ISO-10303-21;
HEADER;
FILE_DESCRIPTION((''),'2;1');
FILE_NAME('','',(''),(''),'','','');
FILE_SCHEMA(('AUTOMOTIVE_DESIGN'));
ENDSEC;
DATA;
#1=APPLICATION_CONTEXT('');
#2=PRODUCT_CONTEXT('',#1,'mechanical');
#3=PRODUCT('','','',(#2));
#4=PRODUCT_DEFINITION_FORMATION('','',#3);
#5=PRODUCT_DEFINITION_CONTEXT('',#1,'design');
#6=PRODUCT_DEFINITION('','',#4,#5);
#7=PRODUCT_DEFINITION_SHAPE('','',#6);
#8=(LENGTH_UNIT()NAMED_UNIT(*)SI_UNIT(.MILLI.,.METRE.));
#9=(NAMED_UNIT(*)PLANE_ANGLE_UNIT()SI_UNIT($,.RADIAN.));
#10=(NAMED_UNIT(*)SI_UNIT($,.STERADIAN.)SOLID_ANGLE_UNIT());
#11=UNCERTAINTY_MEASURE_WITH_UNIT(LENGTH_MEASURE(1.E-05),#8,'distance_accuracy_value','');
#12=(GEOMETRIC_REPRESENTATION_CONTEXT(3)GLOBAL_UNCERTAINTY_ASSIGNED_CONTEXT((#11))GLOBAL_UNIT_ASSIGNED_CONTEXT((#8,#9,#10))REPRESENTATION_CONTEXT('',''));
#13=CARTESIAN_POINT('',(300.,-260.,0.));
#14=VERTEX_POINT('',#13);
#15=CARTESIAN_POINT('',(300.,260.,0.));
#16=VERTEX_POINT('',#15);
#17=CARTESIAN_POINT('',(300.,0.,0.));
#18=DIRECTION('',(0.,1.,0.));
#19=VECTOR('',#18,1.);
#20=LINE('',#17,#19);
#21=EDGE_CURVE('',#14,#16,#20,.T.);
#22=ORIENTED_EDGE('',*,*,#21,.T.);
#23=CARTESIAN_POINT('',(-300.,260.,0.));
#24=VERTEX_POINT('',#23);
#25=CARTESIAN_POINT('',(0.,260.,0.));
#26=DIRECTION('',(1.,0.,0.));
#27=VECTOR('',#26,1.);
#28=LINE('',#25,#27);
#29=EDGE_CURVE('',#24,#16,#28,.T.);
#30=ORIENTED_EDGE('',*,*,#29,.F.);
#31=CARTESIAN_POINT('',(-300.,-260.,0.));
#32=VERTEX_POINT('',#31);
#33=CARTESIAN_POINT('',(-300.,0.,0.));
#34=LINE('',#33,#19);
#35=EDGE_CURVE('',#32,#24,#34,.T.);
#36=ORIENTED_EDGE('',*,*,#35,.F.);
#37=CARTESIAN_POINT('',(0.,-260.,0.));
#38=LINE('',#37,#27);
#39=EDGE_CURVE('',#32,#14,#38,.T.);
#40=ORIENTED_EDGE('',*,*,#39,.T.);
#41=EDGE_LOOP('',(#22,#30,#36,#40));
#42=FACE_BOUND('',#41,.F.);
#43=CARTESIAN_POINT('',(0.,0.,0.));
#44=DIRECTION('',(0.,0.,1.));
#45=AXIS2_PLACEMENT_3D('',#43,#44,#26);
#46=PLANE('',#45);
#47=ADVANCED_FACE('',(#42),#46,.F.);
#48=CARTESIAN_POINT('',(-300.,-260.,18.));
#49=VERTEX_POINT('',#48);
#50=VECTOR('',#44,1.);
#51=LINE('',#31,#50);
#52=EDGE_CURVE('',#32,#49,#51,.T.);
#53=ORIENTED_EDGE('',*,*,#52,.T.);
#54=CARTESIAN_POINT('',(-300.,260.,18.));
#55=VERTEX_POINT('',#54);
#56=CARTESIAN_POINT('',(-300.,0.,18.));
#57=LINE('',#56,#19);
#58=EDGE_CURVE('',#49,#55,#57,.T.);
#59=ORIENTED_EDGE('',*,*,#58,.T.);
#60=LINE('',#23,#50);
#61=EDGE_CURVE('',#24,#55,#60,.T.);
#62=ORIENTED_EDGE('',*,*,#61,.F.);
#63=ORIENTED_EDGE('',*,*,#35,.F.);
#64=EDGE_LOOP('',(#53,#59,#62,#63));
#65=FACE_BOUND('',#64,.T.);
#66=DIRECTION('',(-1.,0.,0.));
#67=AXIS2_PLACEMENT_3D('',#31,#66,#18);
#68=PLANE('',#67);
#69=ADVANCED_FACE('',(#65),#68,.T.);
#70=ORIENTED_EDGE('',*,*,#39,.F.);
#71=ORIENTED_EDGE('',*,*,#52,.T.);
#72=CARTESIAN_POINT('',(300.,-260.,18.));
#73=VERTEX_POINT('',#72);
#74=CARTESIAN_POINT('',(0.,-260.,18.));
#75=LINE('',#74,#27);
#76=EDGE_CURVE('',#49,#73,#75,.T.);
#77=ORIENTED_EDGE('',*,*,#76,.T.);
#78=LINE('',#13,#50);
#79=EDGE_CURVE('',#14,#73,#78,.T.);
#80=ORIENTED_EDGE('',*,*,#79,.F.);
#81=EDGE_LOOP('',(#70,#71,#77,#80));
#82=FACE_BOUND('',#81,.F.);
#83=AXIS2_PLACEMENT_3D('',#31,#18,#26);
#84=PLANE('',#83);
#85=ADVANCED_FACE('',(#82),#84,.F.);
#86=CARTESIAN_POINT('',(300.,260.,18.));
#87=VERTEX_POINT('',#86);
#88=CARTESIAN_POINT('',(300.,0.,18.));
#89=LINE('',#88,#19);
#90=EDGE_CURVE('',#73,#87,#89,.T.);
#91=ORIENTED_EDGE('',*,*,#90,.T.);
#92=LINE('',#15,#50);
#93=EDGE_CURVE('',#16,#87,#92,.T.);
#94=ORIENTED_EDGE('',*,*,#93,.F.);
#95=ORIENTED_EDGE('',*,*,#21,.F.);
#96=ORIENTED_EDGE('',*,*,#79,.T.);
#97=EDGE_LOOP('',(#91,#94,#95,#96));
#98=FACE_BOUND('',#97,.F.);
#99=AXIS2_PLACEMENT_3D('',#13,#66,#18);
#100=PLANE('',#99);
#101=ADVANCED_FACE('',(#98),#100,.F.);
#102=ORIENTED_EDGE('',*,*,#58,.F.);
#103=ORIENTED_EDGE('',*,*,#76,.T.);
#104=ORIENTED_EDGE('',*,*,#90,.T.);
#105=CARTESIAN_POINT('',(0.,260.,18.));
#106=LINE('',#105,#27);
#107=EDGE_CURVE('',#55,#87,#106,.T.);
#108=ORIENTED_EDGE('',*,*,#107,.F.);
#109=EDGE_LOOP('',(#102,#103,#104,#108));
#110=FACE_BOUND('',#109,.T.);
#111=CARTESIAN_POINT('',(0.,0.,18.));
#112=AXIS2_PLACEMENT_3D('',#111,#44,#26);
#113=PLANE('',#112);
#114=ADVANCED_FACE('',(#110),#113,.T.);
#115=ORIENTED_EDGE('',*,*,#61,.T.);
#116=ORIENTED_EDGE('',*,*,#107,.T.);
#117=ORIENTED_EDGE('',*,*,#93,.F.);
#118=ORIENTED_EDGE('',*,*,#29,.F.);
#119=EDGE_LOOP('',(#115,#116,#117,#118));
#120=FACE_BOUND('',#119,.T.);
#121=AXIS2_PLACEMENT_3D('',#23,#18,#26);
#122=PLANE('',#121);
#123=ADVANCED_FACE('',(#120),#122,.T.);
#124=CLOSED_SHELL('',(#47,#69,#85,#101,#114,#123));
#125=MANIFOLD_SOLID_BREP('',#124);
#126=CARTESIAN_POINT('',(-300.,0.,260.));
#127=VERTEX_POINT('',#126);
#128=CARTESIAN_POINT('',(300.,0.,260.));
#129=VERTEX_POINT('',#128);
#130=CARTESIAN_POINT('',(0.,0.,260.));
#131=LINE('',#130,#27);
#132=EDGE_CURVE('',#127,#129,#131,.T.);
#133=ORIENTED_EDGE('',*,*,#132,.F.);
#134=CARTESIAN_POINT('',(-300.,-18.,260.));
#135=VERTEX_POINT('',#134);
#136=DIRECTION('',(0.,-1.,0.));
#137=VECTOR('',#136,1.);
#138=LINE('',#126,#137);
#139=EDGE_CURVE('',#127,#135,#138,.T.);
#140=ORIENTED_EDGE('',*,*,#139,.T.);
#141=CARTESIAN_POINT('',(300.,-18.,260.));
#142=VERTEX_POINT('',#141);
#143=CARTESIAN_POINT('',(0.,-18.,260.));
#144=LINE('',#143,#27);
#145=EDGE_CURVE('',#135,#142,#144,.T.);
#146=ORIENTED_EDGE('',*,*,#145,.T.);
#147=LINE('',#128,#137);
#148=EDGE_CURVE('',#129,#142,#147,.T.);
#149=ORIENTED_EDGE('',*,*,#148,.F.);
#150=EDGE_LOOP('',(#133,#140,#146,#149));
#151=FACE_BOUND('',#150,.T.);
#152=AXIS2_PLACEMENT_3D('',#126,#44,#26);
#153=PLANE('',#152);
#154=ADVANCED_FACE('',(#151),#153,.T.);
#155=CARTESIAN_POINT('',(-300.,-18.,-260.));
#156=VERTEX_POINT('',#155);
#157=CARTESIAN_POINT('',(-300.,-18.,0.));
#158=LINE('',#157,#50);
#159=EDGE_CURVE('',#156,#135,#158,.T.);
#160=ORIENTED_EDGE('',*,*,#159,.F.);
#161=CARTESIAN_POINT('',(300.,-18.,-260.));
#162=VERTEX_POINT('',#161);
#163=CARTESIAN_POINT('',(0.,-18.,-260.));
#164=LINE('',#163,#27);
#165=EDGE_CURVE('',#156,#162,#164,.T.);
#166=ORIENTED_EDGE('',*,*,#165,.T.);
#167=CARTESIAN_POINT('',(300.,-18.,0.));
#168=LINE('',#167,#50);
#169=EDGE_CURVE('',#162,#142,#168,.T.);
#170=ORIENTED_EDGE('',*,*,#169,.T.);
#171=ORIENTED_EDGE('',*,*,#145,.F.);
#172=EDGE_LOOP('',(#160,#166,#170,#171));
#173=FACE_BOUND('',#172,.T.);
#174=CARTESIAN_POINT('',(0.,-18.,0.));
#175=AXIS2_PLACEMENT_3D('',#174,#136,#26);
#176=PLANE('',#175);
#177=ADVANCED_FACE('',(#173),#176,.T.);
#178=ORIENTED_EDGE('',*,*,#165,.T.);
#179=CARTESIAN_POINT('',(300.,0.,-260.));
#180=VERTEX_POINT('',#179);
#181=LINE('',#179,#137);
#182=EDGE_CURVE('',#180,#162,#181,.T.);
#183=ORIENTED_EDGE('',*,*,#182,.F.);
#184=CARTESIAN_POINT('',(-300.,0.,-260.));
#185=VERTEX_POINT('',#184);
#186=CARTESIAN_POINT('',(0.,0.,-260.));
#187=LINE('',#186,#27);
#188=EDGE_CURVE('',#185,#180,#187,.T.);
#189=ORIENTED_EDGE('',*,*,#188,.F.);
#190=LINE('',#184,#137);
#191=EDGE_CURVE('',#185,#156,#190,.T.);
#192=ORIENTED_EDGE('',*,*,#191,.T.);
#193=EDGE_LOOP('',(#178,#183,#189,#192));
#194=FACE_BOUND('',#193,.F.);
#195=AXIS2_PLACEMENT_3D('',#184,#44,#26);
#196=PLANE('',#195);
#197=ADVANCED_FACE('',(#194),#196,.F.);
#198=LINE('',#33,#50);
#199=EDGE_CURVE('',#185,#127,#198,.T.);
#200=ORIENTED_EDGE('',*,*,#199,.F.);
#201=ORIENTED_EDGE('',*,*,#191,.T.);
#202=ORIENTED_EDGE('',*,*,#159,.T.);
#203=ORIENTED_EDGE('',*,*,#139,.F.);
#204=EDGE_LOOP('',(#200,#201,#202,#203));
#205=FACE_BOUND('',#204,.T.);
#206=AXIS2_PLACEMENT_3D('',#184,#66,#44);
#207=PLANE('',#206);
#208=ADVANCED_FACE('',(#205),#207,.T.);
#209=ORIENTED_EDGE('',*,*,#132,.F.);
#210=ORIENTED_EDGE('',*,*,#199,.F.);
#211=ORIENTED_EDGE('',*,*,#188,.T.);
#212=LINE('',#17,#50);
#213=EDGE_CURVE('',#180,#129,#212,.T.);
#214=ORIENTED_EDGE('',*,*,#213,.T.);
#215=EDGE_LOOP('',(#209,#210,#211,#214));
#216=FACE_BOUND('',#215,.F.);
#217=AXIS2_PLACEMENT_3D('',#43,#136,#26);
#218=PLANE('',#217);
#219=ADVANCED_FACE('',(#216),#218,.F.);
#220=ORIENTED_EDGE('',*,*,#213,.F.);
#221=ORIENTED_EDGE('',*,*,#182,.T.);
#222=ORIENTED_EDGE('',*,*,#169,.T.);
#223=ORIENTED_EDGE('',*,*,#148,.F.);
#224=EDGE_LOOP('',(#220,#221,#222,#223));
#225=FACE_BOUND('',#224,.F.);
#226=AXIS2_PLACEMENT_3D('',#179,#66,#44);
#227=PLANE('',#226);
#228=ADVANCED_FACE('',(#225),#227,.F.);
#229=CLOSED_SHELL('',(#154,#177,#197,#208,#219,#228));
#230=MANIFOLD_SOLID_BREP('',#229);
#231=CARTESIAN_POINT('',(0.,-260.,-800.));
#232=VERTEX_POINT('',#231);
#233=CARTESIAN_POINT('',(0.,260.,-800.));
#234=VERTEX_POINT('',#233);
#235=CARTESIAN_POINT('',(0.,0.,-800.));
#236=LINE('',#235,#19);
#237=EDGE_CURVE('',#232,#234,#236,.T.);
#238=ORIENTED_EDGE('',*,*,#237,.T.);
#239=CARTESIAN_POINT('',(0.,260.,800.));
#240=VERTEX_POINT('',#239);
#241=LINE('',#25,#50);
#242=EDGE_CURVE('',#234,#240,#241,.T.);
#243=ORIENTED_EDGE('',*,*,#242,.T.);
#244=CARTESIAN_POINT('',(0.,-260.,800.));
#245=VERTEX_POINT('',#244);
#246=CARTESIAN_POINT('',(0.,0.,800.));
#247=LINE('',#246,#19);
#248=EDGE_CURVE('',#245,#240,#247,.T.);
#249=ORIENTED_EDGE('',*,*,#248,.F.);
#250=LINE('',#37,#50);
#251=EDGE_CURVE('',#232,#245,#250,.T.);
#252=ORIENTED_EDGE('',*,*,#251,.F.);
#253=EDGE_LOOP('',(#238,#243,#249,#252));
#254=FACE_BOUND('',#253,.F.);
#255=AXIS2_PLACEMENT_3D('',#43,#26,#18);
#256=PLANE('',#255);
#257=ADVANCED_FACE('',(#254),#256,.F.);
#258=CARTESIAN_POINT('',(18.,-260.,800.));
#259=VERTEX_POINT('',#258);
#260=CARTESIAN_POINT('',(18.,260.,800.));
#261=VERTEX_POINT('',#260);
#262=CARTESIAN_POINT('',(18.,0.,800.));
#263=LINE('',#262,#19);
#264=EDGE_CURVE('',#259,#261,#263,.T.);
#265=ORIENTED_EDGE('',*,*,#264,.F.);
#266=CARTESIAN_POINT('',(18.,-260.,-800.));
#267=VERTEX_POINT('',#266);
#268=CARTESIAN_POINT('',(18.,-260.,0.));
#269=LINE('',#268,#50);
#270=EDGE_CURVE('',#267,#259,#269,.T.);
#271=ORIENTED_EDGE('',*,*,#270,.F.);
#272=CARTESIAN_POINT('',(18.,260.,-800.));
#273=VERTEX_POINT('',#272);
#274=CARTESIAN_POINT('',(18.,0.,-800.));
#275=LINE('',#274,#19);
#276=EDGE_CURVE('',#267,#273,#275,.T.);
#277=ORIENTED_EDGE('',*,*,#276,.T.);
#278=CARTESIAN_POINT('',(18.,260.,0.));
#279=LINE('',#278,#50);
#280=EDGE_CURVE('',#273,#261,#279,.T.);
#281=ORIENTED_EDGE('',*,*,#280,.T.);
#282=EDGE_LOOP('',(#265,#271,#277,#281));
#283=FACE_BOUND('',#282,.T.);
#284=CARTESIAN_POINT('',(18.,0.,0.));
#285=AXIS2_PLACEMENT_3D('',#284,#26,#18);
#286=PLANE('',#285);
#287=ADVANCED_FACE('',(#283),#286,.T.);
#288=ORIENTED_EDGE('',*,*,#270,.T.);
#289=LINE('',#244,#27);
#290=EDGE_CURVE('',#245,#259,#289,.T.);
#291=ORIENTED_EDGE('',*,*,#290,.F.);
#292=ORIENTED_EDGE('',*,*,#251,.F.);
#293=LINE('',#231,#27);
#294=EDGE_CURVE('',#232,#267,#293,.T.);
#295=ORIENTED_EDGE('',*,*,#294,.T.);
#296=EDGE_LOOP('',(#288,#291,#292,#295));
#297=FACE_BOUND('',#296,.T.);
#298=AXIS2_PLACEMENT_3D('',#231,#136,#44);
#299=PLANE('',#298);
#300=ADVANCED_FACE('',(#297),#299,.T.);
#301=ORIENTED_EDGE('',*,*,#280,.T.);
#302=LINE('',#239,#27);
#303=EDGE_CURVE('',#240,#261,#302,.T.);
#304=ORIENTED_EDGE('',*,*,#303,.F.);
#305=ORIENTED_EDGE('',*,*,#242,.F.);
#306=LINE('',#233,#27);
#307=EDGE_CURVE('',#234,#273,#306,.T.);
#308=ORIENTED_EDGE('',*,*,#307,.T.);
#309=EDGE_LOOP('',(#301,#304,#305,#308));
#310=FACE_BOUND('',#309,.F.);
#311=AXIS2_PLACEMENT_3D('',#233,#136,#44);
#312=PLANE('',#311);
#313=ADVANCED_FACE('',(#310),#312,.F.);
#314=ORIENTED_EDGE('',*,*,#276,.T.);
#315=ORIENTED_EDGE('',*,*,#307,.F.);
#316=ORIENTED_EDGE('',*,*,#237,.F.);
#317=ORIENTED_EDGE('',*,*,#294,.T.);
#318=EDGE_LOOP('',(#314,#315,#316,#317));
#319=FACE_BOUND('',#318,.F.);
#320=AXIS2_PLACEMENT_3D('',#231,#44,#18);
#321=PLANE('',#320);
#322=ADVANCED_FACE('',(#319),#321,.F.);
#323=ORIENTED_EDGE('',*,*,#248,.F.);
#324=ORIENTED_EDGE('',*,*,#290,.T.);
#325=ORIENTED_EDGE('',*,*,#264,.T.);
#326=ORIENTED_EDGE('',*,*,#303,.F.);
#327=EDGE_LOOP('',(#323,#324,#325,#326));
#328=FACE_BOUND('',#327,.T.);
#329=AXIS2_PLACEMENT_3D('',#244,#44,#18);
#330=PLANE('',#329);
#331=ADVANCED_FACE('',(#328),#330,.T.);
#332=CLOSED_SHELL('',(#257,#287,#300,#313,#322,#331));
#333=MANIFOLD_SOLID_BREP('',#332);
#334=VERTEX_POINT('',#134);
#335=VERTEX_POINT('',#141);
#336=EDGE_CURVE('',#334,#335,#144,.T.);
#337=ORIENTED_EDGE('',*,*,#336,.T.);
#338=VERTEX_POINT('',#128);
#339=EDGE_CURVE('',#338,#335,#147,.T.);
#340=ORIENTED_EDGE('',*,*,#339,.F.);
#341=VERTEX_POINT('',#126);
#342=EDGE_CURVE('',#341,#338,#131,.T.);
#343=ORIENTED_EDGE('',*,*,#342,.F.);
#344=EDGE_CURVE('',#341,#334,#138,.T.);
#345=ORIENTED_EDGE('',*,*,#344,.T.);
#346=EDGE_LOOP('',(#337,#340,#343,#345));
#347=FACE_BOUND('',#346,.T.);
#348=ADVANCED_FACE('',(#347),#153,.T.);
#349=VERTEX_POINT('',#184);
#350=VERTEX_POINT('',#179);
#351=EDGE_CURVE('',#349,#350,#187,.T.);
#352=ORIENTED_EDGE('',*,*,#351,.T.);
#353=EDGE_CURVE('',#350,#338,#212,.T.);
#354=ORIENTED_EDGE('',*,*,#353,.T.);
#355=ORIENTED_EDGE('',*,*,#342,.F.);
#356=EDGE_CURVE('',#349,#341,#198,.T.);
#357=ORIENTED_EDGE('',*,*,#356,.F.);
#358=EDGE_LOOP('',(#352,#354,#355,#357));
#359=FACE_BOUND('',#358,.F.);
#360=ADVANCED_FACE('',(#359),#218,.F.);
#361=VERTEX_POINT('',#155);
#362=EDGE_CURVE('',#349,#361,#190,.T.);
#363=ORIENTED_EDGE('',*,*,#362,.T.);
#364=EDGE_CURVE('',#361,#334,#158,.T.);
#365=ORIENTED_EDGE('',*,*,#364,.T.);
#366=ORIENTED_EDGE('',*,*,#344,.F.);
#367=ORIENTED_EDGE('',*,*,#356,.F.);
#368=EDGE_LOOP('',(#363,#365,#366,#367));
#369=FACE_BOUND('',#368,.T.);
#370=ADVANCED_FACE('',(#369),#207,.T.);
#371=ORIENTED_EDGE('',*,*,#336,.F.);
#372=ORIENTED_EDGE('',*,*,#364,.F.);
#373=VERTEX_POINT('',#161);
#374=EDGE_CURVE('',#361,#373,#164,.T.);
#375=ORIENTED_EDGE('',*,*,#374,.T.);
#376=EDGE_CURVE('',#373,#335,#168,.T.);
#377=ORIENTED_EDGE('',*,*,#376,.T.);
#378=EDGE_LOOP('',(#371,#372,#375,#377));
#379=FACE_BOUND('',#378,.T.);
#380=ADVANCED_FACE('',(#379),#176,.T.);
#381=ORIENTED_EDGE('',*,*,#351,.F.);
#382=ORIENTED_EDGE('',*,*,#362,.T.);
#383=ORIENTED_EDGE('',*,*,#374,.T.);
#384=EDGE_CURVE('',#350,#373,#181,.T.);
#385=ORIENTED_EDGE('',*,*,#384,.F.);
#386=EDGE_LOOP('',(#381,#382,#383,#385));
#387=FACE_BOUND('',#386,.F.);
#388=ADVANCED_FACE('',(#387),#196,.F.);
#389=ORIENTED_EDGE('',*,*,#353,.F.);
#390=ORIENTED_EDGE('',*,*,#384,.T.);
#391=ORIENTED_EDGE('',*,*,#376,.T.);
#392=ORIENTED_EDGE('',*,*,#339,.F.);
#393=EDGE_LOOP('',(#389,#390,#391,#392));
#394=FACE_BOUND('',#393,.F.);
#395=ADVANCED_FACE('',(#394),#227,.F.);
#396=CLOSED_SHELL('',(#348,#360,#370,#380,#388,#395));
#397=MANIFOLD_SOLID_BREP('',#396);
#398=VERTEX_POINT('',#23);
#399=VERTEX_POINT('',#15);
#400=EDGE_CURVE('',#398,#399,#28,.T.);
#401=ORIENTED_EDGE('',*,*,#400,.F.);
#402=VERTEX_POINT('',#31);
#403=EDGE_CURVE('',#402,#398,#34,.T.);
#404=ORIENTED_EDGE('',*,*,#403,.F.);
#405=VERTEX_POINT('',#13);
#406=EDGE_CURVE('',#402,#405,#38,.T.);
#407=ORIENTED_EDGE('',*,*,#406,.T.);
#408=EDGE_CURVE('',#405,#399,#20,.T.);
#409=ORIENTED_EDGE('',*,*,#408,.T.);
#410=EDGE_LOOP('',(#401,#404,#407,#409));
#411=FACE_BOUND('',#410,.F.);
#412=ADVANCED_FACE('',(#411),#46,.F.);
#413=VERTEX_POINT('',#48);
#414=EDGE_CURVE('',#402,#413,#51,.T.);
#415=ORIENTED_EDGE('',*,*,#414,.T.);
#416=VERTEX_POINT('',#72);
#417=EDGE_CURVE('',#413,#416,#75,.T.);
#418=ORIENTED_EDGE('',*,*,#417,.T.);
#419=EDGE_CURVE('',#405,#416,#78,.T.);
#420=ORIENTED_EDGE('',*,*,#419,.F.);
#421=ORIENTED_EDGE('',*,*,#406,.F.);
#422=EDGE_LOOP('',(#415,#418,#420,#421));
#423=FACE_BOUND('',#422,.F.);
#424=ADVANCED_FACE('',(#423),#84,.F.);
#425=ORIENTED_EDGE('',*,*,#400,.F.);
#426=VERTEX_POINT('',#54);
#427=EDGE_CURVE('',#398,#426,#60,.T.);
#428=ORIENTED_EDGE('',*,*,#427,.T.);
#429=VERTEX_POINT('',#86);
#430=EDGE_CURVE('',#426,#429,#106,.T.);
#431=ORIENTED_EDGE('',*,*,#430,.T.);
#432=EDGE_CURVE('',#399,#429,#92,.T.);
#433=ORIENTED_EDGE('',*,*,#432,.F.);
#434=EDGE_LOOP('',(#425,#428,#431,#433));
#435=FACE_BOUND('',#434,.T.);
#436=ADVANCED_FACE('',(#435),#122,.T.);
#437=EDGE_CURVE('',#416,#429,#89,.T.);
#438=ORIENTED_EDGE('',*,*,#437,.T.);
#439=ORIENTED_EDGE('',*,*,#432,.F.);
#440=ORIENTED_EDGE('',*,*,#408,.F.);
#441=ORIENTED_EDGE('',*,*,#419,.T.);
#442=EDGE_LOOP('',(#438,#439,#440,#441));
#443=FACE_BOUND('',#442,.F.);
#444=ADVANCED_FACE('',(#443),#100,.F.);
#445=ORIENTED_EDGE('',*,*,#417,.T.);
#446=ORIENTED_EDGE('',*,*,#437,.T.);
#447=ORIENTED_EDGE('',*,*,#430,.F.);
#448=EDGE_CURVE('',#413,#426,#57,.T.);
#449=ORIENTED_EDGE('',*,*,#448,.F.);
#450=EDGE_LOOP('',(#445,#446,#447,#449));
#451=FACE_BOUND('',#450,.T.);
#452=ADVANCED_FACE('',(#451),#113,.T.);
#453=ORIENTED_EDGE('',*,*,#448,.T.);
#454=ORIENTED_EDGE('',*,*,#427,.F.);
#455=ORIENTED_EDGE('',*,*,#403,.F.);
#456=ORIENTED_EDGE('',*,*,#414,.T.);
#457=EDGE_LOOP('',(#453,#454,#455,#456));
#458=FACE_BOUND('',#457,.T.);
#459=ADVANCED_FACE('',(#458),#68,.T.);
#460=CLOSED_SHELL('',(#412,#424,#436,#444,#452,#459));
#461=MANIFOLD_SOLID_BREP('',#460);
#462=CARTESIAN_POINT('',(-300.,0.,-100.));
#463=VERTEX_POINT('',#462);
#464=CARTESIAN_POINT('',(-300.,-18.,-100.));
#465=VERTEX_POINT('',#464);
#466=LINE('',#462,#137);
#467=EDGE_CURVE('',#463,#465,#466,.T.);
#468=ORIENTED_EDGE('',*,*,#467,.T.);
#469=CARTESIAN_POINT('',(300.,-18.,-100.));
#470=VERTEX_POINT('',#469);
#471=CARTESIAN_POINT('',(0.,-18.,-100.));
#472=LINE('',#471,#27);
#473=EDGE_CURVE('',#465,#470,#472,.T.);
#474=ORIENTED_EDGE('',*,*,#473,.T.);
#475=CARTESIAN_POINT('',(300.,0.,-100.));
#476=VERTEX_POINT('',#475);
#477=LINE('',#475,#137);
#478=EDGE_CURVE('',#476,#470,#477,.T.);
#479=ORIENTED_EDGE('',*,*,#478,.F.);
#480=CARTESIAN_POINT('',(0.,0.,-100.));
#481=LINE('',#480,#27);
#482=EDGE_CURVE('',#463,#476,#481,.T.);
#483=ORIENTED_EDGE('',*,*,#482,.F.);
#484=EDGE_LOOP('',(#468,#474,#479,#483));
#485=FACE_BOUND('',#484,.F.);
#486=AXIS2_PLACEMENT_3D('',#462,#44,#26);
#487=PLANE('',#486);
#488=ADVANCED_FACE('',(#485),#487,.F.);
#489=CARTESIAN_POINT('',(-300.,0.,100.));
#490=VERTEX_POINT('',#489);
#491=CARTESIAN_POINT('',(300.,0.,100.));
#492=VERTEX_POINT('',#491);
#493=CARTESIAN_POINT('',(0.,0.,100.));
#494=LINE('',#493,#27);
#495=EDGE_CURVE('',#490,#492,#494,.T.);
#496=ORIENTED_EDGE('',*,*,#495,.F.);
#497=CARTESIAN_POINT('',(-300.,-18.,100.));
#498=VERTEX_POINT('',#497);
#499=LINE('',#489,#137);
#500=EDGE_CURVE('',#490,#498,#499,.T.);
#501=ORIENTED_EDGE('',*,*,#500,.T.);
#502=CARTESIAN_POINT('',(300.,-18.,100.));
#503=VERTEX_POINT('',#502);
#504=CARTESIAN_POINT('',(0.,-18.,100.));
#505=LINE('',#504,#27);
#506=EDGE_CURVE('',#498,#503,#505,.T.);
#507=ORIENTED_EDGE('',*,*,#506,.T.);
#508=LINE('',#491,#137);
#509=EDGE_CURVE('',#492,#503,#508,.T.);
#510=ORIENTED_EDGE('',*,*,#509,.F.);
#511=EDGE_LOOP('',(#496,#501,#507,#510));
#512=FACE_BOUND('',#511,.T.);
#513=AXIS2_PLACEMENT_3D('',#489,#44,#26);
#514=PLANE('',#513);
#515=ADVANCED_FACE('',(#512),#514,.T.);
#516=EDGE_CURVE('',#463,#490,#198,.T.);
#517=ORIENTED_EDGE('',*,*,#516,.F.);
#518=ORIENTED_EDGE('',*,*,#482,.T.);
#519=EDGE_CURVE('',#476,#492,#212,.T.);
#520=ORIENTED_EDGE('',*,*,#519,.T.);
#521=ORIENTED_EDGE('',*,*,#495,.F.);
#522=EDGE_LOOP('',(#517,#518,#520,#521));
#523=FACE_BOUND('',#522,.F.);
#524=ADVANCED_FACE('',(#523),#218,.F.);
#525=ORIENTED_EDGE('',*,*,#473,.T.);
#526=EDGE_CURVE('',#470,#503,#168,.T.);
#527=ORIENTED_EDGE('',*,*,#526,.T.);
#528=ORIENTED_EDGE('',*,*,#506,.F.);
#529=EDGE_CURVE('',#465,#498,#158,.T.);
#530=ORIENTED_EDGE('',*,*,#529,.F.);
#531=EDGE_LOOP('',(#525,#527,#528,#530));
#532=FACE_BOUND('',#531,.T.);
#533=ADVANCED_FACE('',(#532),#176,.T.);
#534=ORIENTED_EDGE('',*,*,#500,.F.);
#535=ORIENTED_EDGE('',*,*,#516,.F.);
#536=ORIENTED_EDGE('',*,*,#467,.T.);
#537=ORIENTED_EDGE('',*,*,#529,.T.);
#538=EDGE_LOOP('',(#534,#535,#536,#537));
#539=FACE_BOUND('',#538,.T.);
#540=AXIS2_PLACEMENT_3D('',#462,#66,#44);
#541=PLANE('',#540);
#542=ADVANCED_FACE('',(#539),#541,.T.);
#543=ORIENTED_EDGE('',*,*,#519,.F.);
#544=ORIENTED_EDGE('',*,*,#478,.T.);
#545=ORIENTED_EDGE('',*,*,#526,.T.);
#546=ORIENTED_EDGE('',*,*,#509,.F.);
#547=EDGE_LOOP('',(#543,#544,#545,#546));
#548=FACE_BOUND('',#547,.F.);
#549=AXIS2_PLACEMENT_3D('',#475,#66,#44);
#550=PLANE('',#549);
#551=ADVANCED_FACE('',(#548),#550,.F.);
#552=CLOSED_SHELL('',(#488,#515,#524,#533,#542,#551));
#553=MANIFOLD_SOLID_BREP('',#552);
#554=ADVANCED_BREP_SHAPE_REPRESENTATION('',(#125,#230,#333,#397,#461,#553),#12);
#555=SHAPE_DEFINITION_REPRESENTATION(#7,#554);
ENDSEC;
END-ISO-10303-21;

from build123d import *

# Parameters (mm, degrees)
F0_W      = 520
F0_H      = 1600
F1_DEPTH  = 18
F2_W      = 600
F2_H      = 520
F3_DEPTH  = 18
F4_W      = 600
F4_H      = 520
F5_DEPTH  = 18
F6_W      = 600
F6_H      = 200
F7_DEPTH  = 18
F8_W      = 600
F8_H      = 520
F9_DEPTH  = 18
F10_W     = 600
F10_H     = 520
F11_DEPTH = 18


with BuildPart() as f1:
    # F0 (on Right) → F1 (new body)
    with BuildSketch(Plane.YZ):
        Rectangle(F0_W, F0_H)
    extrude(amount=F1_DEPTH)


with BuildPart() as f3:
    # F2 (on Top) → F3 (new body)
    with BuildSketch(Plane.XY):
        Rectangle(F2_W, F2_H)
    extrude(amount=F3_DEPTH)


with BuildPart() as f5:
    # F4 (on Front) → F5 (new body)
    with BuildSketch(Plane.XZ):
        Rectangle(F4_W, F4_H)
    extrude(amount=F5_DEPTH)


with BuildPart() as f7:
    # F6 (on Front) → F7 (new body)
    with BuildSketch(Plane.XZ):
        Rectangle(F6_W, F6_H)
    extrude(amount=F7_DEPTH)


with BuildPart() as f9:
    # F8 (on Top) → F9 (new body)
    with BuildSketch(Plane.XY):
        Rectangle(F8_W, F8_H)
    extrude(amount=F9_DEPTH)


with BuildPart() as f11:
    # F10 (on Front) → F11 (new body)
    with BuildSketch(Plane.XZ):
        Rectangle(F10_W, F10_H)
    extrude(amount=F11_DEPTH)


solid = Compound([f1.part, f3.part, f5.part, f7.part, f9.part, f11.part])
